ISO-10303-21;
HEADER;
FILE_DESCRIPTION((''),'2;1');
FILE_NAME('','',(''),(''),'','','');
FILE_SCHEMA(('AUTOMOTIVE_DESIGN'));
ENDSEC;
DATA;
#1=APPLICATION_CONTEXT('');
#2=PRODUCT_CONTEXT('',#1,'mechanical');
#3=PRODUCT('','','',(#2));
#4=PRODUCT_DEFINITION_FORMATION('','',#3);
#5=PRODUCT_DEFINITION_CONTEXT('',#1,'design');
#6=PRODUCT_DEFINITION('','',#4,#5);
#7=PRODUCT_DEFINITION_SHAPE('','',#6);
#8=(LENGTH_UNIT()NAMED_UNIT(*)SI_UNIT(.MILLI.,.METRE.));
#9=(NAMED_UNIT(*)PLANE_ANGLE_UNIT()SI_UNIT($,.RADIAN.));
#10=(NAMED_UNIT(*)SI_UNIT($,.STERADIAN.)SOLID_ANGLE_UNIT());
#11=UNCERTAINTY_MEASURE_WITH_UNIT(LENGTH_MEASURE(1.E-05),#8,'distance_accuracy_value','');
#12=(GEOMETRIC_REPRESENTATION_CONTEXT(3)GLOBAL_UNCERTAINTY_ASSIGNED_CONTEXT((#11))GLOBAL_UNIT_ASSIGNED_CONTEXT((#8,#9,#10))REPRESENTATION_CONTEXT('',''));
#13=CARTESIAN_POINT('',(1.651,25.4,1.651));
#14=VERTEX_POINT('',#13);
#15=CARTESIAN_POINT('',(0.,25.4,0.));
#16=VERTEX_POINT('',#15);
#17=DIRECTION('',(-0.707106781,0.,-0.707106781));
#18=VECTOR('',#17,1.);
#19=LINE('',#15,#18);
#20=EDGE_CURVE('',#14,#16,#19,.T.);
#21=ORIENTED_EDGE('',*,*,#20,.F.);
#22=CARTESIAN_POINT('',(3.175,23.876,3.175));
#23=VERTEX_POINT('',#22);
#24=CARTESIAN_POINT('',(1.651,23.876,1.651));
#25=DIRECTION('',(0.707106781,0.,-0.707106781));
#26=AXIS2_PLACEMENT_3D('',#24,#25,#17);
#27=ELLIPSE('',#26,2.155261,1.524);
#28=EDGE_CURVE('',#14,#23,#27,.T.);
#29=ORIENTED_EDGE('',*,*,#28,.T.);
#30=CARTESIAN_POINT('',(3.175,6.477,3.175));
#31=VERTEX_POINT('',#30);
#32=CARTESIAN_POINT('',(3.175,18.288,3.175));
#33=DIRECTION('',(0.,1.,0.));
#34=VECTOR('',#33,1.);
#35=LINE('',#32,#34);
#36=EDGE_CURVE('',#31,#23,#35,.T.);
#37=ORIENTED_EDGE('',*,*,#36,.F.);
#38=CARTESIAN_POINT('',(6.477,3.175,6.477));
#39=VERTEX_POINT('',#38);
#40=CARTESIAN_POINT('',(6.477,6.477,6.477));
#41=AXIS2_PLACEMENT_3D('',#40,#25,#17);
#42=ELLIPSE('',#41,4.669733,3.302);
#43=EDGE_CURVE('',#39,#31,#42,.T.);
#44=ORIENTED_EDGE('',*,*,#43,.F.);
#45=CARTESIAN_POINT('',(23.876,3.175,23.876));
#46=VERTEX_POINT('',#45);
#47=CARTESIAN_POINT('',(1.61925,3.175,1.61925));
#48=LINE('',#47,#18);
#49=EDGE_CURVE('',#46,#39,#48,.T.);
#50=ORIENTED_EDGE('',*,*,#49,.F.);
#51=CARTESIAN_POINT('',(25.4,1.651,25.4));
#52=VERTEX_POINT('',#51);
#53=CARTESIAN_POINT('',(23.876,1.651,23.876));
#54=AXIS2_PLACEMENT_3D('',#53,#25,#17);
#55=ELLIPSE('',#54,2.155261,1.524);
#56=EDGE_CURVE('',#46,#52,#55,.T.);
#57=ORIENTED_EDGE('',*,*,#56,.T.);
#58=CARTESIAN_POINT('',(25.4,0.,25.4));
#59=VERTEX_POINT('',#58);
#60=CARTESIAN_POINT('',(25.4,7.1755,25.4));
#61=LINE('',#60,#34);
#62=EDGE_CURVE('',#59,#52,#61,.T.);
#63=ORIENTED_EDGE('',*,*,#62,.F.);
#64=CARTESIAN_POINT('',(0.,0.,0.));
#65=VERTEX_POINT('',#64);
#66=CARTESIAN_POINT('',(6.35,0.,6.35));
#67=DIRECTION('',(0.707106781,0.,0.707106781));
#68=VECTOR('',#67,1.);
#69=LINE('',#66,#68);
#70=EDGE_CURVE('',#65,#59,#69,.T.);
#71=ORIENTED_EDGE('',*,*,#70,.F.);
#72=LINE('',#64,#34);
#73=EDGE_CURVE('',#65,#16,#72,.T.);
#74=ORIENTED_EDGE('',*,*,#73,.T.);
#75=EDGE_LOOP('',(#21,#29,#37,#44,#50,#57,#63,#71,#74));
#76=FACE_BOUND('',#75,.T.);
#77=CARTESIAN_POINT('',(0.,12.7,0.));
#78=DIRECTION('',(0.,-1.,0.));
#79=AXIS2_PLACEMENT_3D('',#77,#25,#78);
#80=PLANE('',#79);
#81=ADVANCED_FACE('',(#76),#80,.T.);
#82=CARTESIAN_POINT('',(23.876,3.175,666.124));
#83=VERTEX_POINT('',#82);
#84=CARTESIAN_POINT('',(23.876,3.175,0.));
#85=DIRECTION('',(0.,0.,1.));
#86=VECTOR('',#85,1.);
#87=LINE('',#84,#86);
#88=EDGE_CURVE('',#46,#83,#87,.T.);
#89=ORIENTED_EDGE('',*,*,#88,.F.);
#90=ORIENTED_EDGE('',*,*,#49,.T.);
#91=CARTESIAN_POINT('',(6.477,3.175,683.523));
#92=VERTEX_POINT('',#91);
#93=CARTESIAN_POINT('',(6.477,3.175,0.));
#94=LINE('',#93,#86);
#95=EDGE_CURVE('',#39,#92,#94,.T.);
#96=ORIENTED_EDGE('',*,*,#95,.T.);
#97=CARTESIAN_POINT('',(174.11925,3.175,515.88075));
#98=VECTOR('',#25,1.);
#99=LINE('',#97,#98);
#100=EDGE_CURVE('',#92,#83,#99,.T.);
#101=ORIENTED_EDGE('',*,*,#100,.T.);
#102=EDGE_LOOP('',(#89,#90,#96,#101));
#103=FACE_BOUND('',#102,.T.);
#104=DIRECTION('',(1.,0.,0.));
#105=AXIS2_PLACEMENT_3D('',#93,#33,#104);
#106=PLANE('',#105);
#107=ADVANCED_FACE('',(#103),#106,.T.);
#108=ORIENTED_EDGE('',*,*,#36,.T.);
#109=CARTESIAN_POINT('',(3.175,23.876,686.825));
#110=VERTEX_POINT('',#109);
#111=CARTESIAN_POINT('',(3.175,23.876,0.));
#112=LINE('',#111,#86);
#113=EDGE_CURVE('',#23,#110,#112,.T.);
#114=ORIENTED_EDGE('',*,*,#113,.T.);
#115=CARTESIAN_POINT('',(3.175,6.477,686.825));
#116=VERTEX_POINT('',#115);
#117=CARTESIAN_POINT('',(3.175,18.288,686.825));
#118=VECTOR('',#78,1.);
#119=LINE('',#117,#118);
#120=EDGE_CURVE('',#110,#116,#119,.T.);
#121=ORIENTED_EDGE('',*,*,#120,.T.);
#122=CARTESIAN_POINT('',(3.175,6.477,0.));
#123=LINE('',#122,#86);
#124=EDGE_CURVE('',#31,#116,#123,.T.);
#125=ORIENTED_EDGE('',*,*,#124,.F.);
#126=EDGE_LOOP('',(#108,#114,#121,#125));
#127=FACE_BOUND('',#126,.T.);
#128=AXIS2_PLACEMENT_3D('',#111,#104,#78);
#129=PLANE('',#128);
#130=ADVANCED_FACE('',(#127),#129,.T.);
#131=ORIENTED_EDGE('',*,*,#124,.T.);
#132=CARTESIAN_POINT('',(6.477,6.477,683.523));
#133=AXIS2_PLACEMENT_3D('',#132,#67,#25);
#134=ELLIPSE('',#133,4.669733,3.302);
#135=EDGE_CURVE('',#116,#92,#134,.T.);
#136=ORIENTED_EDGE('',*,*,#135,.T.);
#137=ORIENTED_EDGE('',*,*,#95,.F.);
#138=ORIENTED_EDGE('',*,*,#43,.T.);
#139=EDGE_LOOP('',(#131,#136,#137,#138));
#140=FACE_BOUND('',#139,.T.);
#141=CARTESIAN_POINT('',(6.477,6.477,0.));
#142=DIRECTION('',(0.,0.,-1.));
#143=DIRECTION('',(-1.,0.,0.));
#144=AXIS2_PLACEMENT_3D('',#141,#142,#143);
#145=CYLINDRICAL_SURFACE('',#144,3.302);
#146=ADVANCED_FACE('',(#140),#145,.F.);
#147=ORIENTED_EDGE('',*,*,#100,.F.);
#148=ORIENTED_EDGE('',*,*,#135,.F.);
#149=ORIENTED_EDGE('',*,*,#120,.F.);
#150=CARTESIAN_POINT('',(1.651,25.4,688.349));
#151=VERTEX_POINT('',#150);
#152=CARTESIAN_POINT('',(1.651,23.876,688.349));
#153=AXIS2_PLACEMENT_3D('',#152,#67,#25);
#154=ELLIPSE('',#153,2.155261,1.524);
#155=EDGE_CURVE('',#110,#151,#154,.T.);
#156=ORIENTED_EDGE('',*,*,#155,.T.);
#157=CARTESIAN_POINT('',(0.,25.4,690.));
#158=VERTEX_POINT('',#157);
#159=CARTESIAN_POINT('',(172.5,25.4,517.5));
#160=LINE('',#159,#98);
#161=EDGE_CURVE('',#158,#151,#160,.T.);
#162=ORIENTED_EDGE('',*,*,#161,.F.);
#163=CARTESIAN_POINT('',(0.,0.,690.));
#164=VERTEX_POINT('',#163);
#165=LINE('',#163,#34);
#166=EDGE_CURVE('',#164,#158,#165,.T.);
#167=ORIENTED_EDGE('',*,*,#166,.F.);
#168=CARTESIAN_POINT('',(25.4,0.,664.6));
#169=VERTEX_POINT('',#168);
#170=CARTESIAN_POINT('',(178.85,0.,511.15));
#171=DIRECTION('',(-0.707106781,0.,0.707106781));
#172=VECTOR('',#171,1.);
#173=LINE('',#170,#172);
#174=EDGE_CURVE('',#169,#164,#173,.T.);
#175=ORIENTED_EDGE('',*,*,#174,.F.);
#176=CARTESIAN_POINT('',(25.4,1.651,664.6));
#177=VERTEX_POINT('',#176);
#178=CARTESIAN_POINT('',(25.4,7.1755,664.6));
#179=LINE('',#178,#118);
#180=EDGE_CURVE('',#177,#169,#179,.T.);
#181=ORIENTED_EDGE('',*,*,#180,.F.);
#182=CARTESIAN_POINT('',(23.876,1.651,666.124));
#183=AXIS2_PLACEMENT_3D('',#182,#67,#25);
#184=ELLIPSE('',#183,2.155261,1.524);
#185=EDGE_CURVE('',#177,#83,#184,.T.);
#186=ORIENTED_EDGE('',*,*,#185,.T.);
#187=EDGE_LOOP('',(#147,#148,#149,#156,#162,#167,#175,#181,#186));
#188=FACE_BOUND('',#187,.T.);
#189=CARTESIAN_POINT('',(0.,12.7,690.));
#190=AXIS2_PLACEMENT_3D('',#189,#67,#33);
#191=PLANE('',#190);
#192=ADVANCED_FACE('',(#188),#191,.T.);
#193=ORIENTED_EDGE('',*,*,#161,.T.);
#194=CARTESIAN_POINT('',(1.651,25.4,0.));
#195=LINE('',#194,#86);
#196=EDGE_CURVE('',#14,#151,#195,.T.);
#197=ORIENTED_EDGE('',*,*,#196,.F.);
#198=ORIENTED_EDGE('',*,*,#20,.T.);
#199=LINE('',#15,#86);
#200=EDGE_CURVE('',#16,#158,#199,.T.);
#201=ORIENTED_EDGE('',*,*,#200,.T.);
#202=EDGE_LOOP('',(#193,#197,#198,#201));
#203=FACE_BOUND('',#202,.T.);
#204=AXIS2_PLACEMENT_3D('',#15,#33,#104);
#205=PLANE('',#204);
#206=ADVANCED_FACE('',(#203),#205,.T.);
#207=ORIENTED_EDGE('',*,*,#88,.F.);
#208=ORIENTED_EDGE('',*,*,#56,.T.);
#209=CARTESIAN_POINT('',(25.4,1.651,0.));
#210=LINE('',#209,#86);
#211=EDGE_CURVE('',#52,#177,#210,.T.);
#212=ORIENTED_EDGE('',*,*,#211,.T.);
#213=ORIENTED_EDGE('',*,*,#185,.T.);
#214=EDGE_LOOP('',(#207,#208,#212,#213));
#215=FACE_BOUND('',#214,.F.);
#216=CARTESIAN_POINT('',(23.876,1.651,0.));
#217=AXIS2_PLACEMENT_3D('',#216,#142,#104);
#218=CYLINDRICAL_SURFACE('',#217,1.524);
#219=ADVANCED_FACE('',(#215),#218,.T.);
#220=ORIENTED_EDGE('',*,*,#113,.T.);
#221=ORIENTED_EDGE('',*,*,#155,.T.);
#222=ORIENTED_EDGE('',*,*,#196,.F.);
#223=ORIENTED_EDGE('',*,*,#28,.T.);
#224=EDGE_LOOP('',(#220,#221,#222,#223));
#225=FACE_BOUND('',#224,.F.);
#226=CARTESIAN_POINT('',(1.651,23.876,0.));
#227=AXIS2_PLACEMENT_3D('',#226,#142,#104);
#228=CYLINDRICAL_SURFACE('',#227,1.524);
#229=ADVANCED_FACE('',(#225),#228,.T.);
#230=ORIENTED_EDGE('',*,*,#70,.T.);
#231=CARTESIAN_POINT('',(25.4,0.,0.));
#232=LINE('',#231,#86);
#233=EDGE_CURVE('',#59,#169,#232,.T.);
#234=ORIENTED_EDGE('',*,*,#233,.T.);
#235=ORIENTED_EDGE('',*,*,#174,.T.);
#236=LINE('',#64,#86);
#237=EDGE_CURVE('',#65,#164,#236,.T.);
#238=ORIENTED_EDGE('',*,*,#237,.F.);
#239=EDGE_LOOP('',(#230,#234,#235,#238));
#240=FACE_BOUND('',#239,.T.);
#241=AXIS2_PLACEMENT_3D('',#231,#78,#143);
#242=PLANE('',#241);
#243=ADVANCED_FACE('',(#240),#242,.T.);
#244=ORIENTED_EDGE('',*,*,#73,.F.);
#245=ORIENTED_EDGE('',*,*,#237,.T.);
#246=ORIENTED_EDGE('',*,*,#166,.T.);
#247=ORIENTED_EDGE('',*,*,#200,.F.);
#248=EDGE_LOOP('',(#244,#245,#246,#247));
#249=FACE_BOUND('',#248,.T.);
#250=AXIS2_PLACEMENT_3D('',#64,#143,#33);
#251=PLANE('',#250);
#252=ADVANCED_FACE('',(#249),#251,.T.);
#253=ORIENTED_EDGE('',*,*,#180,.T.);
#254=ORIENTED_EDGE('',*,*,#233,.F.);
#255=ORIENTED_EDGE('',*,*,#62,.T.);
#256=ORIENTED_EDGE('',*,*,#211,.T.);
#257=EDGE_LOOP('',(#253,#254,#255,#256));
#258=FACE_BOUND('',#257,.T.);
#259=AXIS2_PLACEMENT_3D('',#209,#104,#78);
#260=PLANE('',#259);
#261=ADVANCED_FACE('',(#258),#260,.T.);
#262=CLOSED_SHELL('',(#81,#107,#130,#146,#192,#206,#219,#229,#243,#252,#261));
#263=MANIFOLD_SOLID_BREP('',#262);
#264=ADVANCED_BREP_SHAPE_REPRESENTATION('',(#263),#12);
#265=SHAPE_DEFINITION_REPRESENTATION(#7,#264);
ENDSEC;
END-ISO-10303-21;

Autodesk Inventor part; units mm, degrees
ref_plane "Start Plane" through (0, 0, 0) normal (0, 0, 1) x (1, 0, 0)
ref_plane "End Plane" through (0, 0, 690) normal (0, 0, 1) x (1, 0, 0)
sketch "Sketch" plane through (0, 0, 0) normal (0, 0, 1) x (1, 0, 0)
  line L0 (25.4, 0) -> (0, 0)
  line L1 (0, 0) -> (0, 25.4)
  line L2 (0, 25.4) -> (1.651, 25.4)
  line L3 (3.175, 23.876) -> (3.175, 6.477)
  line L4 (6.477, 3.175) -> (23.876, 3.175)
  line L5 (25.4, 1.651) -> (25.4, 0)
  line L6 (0, -11.0414) -> (0, 31.5385) construction
  line L7 (-11.0414, 0) -> (31.5385, 0) construction
  arc A0 (3.175, 6.477) -> (6.477, 3.175) centre (6.477, 6.477) ccw
  arc A1 (3.175, 23.876) -> (1.651, 25.4) centre (1.651, 23.876) ccw
  arc A2 (25.4, 1.651) -> (23.876, 3.175) centre (23.876, 1.651) ccw
  line L8 (0, 40.0545) -> (0, -19.5574) construction
  line L9 (-19.5574, 0) -> (40.0545, 0) construction
  point P0 (3.175, 25.4)
  point P1 (3.175, 3.175)
  point P2 (25.4, 3.175)
  dimension "d0" = 25.4
  dimension "d1" = 25.4
  dimension "d2" = 3.175
  dimension "d3" = 3.175
  dimension "d10" = 0
  dimension "d11" = 0
  dimension "d14" = 3.302
  dimension "d15" = 1.524
extrude "Body" add sketch "Sketch" along normal up to surface (690 mm away) from surface at 0
sketch "Sketch3" plane through (0, 0, 0) normal (0, 0, 1) x (1, 0, 0)
  line L0 (0, 0) -> (10, 0)
ref_plane "Work Plane3" through (0, 0, 0) normal (0, -1, 0) x (1, 0, 0)
ref_plane "Work Plane4" through (0, 12.7, 690) normal (0.7071, 0, 0.7071) x (0.7071, 0, -0.7071)
split "Split1" plane through (0, 12.7, 690) removes the side toward (0.7071, 0, 0.7071)
ref_plane "Work Plane5" through (0, 12.7, 0) normal (0.7071, 0, -0.7071) x (-0.7071, 0, -0.7071)
split "Split2" plane through (0, 12.7, 0) removes the side toward (0.7071, 0, -0.7071)
sketch "Sketch4" plane through (0, 0, 0) normal (0, -1, 0) x (1, 0, 0)
  line L0 (-2, 0) -> (12, 0) projected
  line L1 (-2, 690) -> (12, 690) projected
  dimension "d17" = 690
equation "\"d0\" = G_H"
equation "\"d1\" = G_H"
equation "\"d2\" = G_T"
equation "\"d3\" = G_T"
equation "\"d14\" = G_IR"
equation "\"d15\" = G_ER"
equation "\"d4\" = G_L"
equation "\"G_H\" = 25.4"
equation "\"G_T\" = 3.175"
equation "\"G_ER\" = 1.524"
equation "\"G_IR\" = 3.302"
equation "\"G_L\" = d17"
equation "\"ex\" = 0"
equation "\"G_OFFSET_START\" = 0"
equation "\"G_OFFSET_END\" = 0"
equation "\"d13\" = G_OFFSET_END + B_L"
equation "\"B_L\" = 690"
properties part number "AISC - L 1 x 1 x 1/8 - 27.165" material "Steel, Mild"
